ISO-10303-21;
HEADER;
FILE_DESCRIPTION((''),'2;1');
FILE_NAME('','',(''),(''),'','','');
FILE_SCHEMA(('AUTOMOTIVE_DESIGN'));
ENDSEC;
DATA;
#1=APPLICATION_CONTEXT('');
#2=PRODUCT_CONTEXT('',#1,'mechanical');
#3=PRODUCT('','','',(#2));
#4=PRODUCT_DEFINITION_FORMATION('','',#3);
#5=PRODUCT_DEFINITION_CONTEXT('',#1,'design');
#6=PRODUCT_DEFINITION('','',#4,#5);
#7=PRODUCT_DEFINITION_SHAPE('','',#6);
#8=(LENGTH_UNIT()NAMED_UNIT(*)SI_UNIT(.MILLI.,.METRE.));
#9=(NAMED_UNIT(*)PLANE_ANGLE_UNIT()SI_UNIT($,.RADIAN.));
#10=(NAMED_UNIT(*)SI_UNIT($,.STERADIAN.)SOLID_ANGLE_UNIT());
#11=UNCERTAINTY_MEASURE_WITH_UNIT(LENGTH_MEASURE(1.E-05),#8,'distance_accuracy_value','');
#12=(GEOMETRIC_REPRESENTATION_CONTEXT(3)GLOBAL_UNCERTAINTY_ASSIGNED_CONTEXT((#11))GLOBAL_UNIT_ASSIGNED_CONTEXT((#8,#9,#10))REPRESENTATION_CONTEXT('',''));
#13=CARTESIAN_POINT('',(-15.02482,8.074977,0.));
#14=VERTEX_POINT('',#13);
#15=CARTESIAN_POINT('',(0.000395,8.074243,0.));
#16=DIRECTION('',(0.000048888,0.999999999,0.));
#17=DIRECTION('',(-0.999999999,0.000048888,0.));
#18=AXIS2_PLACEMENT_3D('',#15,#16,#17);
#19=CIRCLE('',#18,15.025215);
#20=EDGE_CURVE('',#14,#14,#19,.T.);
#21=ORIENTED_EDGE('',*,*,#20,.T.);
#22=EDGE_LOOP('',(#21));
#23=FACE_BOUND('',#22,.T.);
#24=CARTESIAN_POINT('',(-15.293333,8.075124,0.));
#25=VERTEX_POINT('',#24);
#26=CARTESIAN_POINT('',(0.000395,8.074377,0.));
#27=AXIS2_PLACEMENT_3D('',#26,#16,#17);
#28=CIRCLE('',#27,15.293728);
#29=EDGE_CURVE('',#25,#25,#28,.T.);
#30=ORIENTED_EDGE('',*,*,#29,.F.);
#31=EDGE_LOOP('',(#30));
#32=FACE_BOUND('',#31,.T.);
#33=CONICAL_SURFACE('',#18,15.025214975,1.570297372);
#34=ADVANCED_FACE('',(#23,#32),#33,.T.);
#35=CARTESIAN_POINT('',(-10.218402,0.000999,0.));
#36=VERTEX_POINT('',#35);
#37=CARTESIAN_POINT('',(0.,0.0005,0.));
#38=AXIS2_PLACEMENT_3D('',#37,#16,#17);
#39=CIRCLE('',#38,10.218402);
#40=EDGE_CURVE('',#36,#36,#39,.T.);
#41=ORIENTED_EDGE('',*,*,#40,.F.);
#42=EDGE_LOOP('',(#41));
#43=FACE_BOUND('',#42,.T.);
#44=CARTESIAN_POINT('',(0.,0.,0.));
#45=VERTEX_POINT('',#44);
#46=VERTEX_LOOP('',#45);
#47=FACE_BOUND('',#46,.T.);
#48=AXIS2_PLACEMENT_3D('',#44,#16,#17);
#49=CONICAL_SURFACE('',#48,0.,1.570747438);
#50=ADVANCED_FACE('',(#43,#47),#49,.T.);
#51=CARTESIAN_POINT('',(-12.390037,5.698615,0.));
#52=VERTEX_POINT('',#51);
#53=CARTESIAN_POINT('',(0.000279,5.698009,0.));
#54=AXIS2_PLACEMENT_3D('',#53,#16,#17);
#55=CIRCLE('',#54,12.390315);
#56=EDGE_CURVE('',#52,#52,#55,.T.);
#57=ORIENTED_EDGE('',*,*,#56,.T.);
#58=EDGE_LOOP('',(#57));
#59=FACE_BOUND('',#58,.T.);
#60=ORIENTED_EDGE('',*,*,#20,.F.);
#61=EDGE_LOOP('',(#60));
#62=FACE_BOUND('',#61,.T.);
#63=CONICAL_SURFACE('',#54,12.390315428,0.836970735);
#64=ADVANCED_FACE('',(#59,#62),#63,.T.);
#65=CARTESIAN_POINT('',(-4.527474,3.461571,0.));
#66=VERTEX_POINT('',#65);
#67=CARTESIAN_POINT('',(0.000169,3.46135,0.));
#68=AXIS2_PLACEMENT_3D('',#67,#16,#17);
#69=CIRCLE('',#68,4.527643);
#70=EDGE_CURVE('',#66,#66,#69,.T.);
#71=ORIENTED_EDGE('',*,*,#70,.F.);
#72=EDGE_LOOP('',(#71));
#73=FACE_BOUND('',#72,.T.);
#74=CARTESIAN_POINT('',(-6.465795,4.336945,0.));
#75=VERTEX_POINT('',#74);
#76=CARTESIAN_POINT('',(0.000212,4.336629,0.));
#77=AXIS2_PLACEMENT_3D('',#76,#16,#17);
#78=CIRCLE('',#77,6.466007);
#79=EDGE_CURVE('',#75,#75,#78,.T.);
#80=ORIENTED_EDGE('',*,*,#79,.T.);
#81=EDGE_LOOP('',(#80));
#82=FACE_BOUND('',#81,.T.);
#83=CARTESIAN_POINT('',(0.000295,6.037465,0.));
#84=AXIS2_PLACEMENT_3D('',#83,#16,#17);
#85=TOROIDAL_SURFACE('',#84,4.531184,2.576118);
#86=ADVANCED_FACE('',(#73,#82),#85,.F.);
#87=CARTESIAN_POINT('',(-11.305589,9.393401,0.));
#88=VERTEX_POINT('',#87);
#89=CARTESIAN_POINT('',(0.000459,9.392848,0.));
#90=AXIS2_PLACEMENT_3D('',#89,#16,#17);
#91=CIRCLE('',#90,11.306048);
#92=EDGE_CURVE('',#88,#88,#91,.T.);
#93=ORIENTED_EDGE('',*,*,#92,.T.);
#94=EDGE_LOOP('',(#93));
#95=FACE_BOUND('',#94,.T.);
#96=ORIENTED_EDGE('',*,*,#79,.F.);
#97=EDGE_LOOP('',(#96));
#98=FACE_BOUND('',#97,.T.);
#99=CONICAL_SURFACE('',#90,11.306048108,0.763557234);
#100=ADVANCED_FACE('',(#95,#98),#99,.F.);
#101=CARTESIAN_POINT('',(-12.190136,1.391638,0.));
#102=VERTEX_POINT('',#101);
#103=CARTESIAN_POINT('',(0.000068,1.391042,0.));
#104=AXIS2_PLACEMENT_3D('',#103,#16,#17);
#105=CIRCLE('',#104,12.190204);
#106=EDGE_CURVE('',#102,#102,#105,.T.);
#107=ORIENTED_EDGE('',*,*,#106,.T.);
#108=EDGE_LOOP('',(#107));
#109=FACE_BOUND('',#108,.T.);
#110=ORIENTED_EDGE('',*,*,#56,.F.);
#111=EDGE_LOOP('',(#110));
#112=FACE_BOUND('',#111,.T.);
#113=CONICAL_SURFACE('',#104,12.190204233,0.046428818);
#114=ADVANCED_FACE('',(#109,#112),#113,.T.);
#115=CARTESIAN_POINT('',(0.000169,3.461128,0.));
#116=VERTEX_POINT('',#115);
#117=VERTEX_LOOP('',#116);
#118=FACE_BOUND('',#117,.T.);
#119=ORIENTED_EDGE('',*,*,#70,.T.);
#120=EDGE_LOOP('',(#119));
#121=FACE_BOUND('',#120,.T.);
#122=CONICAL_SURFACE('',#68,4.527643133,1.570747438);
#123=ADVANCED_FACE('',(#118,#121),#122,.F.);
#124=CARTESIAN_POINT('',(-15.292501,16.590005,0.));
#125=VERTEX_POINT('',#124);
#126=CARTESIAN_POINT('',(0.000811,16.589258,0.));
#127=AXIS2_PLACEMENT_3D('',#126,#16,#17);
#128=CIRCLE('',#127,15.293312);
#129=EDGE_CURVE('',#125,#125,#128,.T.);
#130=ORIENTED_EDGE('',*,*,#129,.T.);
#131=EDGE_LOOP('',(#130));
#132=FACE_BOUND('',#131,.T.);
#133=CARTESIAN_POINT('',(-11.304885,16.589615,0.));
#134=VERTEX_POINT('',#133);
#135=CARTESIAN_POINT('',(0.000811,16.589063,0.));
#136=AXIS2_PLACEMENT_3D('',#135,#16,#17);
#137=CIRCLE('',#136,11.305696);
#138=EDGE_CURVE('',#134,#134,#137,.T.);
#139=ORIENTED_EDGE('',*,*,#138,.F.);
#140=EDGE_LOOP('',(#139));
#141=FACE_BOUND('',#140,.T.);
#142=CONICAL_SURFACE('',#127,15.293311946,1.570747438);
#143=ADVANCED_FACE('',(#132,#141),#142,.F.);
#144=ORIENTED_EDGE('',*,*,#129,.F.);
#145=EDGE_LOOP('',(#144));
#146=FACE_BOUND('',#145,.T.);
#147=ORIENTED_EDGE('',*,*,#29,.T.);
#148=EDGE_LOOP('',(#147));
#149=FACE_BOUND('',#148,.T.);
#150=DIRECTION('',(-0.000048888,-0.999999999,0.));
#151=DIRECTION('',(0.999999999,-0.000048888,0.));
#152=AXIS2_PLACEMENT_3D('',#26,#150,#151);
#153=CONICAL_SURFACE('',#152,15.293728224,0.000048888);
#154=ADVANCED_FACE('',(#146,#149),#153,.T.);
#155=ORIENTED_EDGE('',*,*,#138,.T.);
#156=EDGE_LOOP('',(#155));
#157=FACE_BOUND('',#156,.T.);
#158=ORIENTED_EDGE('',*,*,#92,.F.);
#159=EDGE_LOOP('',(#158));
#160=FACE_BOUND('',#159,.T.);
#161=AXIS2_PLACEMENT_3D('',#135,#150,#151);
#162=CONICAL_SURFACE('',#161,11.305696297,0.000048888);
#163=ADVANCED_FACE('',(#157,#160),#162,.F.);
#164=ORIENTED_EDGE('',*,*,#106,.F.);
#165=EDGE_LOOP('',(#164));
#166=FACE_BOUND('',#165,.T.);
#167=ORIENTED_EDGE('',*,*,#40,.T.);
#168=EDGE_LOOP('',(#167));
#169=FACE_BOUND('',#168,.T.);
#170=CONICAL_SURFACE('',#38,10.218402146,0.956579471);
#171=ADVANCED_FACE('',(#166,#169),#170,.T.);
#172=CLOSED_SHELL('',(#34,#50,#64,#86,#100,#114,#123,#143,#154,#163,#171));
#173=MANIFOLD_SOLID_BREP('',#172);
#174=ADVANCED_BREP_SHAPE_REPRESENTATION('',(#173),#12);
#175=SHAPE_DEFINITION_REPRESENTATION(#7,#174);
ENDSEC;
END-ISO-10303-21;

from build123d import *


with BuildPart() as part:
    # Sketch1 → Revolve1 (revolve)
    with BuildSketch(Plane.XY):
        with BuildLine():
            Line((0.000169209, 3.461128296), (0, 0))
            Line((0, 0), (10.218402158, 0))
            Line((10.218402158, 0), (12.190272224, 1.390446413))
            Line((12.190272224, 1.390446413), (12.390593979, 5.697403621))
            Line((12.390593979, 5.697403621), (15.025609693, 8.073507981))
            Line((15.025609693, 8.073507981), (15.294122949, 8.07362883))
            Line((15.294122949, 8.07362883), (15.294122949, 16.588509883))
            Line((15.294122949, 16.588509883), (11.306507295, 16.588509883))
            Line((11.306507295, 16.588509883), (11.306507295, 9.392295548))
            Line((11.306507295, 9.392295548), (6.466218888, 4.336313055))
            ThreePointArc((6.466218888, 4.336313055), (5.591548834, 3.689343395), (4.527812347, 3.461128296))
            Line((4.527812347, 3.461128296), (0.000169209, 3.461128296))
        make_face()
    revolve(axis=Axis((0.000169209, 3.461128296, 0), (-4.8888e-05, -0.999999999, 0)))


solid = part.part
